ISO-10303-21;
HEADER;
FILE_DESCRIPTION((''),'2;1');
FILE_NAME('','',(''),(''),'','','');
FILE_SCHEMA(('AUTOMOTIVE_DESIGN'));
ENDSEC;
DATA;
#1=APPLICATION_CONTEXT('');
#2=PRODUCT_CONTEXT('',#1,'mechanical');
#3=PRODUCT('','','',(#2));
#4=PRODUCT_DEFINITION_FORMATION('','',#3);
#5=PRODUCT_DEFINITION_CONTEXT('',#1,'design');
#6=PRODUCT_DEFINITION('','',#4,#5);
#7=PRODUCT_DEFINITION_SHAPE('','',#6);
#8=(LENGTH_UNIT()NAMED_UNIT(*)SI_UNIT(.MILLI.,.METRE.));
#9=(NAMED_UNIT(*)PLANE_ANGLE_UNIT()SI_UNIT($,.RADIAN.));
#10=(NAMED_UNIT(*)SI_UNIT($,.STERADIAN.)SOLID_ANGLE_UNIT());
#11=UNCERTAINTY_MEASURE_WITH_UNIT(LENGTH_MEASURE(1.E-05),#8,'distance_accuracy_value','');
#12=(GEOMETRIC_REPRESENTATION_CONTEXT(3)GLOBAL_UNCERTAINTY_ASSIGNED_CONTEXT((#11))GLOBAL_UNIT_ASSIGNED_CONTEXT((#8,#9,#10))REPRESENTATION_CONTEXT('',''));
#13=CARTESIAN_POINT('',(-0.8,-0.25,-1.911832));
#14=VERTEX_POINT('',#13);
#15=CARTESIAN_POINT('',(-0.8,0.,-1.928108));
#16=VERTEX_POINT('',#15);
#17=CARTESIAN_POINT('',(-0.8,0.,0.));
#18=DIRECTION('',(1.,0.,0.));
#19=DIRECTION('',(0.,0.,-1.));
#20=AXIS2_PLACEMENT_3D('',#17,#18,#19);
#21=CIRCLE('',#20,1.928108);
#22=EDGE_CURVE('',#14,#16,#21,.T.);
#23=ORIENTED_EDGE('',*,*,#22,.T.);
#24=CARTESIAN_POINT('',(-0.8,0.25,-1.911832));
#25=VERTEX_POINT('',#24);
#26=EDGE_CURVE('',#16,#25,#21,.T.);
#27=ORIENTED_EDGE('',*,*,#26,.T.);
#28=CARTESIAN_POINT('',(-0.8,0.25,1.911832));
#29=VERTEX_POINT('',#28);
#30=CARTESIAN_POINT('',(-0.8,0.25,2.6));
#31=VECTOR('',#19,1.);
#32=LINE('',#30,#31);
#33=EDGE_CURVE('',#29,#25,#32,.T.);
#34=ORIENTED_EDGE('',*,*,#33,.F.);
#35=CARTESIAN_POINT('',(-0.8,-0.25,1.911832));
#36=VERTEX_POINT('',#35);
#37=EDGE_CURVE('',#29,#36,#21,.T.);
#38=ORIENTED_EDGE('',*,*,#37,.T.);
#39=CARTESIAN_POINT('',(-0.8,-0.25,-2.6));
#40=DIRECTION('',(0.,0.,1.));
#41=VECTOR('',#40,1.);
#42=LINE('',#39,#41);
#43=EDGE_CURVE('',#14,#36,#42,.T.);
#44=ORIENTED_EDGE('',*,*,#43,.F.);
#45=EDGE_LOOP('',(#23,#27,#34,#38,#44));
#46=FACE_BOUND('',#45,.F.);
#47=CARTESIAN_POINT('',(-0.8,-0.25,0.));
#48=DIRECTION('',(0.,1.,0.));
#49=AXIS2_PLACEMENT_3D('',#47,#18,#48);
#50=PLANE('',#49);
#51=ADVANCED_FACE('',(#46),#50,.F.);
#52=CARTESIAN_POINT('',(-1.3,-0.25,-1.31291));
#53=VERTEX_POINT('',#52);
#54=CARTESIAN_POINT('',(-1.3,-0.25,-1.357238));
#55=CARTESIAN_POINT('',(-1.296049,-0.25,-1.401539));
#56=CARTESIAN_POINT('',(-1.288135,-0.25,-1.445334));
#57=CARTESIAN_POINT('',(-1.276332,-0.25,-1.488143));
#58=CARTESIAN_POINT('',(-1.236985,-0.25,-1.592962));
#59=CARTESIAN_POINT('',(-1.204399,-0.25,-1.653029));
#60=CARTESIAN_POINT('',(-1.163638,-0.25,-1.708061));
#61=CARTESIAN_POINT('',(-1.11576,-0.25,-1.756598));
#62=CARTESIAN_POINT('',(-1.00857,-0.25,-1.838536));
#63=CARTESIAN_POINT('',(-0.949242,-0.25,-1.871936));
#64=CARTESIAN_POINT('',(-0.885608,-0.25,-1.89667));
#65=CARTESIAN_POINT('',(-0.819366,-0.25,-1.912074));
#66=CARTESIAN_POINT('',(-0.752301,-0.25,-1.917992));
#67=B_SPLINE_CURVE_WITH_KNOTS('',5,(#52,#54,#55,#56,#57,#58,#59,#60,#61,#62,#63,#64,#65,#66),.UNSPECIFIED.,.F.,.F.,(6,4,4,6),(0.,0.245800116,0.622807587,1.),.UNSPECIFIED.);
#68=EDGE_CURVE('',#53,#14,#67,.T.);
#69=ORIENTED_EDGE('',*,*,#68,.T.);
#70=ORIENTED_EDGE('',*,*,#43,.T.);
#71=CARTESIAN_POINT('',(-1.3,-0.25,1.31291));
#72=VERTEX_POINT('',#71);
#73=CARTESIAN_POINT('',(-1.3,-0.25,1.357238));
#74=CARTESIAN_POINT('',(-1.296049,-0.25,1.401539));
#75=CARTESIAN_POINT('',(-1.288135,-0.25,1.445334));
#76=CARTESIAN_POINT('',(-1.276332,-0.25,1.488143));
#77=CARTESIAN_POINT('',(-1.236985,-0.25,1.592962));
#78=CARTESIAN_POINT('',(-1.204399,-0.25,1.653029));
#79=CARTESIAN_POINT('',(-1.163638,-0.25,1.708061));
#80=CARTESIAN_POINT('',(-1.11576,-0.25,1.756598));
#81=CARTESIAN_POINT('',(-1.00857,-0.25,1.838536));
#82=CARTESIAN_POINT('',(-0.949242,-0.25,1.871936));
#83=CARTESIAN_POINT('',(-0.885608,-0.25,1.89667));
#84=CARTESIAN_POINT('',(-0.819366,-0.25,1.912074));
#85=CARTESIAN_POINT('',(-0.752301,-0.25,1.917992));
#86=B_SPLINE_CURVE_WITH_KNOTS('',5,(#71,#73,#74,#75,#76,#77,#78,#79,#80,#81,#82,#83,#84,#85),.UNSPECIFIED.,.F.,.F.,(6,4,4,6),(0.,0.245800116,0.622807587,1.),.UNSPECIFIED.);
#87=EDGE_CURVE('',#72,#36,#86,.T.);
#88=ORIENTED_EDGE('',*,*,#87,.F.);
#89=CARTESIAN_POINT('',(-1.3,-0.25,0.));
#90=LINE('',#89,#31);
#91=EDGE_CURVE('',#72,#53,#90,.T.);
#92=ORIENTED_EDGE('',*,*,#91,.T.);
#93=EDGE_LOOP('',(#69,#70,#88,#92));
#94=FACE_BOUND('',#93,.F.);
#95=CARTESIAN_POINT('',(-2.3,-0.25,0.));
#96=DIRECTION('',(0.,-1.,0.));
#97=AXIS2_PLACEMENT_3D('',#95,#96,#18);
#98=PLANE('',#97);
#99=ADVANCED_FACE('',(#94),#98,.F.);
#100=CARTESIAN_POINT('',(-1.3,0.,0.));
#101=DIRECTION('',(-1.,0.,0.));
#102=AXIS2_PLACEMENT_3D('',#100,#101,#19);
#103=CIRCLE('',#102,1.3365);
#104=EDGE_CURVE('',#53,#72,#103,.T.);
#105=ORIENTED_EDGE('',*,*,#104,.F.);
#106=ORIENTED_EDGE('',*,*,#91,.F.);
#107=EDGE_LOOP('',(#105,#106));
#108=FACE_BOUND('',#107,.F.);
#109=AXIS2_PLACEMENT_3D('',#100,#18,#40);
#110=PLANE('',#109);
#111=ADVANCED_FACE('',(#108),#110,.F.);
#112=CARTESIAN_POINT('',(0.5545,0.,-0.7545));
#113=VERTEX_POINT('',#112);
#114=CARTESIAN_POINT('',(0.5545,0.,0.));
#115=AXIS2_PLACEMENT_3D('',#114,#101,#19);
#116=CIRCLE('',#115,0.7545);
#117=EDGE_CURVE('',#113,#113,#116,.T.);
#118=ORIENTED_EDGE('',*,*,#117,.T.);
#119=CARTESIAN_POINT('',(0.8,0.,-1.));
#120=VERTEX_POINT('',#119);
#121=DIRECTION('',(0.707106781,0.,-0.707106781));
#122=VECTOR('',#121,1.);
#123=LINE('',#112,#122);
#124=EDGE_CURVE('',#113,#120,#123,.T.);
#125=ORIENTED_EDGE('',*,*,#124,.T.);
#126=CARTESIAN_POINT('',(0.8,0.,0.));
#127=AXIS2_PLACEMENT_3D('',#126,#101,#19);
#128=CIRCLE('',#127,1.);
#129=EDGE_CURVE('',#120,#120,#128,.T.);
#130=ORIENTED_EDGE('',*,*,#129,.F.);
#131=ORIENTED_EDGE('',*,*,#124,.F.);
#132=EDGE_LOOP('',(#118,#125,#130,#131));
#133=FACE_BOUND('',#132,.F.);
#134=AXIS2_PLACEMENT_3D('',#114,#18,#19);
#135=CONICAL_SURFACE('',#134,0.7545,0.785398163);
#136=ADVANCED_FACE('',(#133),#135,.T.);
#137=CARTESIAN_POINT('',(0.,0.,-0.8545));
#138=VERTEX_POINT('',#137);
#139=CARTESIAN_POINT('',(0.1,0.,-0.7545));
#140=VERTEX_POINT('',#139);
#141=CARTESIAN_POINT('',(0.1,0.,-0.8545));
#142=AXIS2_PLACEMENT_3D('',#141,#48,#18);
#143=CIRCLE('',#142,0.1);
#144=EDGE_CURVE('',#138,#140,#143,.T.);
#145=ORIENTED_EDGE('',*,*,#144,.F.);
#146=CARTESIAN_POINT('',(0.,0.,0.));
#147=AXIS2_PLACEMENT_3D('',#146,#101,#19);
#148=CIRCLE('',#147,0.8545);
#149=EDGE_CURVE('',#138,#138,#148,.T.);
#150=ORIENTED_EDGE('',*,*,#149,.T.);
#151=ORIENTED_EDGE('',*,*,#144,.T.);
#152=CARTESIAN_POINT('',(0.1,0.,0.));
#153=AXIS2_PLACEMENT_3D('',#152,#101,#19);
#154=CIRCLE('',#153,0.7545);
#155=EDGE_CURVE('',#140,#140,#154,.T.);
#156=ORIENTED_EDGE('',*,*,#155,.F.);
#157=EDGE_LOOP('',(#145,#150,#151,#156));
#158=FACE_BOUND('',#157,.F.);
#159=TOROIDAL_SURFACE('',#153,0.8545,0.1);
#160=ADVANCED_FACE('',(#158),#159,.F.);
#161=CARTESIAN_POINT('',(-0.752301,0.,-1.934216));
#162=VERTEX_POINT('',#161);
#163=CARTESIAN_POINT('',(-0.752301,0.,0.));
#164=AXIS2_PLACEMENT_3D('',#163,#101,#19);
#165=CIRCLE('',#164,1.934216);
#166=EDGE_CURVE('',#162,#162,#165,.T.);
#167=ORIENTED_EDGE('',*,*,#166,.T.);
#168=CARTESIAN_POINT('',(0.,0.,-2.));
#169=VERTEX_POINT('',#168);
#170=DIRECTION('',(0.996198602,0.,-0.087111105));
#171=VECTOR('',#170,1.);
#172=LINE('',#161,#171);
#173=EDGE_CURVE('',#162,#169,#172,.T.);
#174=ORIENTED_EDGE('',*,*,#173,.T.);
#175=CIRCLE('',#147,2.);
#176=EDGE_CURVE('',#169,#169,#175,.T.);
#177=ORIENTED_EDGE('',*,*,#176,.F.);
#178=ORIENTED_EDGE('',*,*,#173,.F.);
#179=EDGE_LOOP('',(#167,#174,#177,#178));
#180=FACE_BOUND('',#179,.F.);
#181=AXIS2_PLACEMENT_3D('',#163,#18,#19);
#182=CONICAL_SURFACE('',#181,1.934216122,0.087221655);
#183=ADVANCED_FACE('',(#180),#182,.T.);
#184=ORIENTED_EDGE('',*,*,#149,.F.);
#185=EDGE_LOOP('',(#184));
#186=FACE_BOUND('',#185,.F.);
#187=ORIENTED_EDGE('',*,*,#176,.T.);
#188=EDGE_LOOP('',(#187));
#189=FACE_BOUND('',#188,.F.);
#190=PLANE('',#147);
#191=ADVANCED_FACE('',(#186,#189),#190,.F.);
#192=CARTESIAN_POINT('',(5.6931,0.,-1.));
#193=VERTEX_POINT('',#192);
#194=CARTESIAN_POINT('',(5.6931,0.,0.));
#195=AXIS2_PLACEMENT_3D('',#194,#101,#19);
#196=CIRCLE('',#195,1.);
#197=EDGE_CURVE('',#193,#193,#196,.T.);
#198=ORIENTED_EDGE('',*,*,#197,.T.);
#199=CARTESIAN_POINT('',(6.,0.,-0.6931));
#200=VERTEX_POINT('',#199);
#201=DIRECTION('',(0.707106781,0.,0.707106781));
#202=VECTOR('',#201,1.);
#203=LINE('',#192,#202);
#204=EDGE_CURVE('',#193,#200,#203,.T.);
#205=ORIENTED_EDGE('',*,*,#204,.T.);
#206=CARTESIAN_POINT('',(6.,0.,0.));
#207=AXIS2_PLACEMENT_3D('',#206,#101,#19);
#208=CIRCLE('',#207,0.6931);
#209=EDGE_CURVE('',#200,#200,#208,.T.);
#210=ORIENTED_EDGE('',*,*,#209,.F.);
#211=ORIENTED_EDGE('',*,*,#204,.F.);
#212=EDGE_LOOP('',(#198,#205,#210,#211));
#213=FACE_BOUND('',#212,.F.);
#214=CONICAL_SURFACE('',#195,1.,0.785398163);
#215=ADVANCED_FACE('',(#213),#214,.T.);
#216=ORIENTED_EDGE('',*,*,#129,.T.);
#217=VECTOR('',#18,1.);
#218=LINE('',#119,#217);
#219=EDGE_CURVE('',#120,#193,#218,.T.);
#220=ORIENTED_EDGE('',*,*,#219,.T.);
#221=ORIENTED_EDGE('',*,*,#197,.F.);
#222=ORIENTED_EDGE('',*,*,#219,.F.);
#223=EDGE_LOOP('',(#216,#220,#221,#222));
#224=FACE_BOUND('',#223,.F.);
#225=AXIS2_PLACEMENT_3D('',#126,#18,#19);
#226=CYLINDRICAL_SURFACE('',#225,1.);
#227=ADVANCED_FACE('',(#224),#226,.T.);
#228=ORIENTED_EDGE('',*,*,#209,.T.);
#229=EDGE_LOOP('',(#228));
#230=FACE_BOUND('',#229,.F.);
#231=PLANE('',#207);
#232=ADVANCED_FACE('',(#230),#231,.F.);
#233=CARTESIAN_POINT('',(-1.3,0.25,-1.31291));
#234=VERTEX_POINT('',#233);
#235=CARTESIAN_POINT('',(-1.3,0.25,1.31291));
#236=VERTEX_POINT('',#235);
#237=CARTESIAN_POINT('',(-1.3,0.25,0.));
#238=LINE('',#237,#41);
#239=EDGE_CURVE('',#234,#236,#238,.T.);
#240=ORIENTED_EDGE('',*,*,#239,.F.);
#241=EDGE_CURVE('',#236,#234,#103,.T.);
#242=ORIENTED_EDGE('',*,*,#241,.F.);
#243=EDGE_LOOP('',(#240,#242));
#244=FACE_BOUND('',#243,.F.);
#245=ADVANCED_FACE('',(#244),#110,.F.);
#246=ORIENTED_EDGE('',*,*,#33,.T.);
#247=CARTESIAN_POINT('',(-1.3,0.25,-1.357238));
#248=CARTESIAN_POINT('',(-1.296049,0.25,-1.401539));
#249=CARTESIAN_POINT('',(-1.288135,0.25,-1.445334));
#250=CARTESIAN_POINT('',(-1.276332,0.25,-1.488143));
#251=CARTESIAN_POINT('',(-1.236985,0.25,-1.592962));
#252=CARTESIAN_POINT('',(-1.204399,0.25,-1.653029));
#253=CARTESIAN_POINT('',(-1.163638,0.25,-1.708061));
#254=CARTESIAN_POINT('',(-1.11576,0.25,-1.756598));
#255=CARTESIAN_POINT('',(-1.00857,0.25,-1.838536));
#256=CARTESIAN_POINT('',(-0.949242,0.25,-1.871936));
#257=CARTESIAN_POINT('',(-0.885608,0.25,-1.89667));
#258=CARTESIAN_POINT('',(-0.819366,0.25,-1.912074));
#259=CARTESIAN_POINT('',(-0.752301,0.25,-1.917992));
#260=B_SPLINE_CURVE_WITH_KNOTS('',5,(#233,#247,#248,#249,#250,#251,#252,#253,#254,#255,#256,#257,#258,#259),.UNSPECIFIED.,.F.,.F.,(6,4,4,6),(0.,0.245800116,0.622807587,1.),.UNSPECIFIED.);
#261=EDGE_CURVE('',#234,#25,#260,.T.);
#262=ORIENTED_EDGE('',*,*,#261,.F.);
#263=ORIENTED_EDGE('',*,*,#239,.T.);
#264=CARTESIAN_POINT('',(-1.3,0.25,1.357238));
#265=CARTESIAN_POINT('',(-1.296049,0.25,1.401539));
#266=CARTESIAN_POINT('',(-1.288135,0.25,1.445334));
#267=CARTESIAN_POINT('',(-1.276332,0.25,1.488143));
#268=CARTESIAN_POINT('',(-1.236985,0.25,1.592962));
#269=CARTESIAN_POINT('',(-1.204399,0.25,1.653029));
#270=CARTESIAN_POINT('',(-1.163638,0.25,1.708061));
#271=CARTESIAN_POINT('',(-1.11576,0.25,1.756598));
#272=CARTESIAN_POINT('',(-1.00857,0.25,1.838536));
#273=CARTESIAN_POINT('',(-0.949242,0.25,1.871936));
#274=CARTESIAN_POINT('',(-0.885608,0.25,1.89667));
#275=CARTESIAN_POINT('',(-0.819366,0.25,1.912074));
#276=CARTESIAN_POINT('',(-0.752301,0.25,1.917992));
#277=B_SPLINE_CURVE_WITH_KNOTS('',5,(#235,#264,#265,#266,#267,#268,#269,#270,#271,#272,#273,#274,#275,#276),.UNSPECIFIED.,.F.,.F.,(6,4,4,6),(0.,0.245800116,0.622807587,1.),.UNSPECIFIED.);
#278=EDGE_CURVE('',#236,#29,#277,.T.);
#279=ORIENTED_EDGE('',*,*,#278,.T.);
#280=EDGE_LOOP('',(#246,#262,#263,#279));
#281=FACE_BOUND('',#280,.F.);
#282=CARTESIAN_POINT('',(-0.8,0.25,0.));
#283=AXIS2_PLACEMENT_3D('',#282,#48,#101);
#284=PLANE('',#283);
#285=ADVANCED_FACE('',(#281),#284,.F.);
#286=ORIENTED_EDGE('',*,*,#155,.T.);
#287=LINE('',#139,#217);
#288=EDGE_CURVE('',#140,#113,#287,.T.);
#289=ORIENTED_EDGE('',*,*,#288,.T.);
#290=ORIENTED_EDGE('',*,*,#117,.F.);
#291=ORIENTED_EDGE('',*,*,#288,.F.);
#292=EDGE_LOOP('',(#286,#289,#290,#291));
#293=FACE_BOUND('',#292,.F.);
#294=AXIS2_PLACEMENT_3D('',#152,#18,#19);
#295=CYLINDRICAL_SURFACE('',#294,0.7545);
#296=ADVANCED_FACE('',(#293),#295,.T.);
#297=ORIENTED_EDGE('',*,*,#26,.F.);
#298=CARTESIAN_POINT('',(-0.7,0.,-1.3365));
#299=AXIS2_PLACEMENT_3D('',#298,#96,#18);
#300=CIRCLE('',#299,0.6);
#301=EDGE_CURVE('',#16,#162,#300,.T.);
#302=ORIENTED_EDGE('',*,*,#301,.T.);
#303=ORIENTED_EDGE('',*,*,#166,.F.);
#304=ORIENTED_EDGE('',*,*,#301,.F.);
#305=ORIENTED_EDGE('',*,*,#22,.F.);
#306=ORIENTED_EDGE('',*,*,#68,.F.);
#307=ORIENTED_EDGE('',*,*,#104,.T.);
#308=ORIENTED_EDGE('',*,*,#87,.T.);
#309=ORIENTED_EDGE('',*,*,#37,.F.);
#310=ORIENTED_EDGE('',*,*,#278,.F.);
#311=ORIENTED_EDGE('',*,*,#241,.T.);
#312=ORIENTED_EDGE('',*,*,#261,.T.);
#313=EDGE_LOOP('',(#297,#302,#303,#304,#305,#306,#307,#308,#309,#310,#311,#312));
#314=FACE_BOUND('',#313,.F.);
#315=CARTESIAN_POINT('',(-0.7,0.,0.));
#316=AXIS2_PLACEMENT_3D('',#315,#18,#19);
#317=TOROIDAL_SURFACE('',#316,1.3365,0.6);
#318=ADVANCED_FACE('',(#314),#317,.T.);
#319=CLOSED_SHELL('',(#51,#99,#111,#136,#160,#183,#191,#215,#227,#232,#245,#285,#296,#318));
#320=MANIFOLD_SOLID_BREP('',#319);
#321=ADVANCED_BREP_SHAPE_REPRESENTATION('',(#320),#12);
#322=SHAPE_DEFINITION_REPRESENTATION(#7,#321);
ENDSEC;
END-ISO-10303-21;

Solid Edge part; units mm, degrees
sketch "Sketch1" plane through (0, 0, 0) normal (0, -1, 0) x (1, 0, 0)
  line L0 (-1.3, 0) -> (-1.3, -1.3365)
  arc A0 (-1.3, -1.3365) -> (-0.7523, -1.9342) centre (-0.7, -1.3365) ccw
  line L1 (-0.7523, -1.9342) -> (0, -2)
  line L2 (0, -2) -> (0, -0.8545)
  arc A1 (0, -0.8545) -> (0.1, -0.7545) centre (0.1, -0.8545) cw
  line L3 (0.1, -0.7545) -> (0.5545, -0.7545)
  line L4 (0.5545, -0.7545) -> (0.8, -1)
  line L5 (0.8, -1) -> (5.6931, -1)
  line L6 (5.6931, -1) -> (6, -0.6931)
  line L7 (6, -0.6931) -> (6, 0)
  line L8 (6, 0) -> (-1.3, 0)
revolve "RevolvedProtrusion1" add sketch "Sketch1" angle 360 about axis through (6, 0, 0) along (-1, 0, 0)
sketch "Sketch2" plane through (0, 0, 0) normal (0, 0, 1) x (1, 0, 0)
  line L0 (-2.3, 0.25) -> (-2.3, -0.25)
  line L1 (-2.3, -0.25) -> (-0.8, -0.25)
  line L2 (-0.8, -0.25) -> (-0.8, 0.25)
  line L3 (-0.8, 0.25) -> (-2.3, 0.25)
extrude "ExtrudedCutout_1" cut sketch "Sketch2" against normal blind 2.6 and the other way blind 2.6
properties part number "bene_inox_210211-2X6"
